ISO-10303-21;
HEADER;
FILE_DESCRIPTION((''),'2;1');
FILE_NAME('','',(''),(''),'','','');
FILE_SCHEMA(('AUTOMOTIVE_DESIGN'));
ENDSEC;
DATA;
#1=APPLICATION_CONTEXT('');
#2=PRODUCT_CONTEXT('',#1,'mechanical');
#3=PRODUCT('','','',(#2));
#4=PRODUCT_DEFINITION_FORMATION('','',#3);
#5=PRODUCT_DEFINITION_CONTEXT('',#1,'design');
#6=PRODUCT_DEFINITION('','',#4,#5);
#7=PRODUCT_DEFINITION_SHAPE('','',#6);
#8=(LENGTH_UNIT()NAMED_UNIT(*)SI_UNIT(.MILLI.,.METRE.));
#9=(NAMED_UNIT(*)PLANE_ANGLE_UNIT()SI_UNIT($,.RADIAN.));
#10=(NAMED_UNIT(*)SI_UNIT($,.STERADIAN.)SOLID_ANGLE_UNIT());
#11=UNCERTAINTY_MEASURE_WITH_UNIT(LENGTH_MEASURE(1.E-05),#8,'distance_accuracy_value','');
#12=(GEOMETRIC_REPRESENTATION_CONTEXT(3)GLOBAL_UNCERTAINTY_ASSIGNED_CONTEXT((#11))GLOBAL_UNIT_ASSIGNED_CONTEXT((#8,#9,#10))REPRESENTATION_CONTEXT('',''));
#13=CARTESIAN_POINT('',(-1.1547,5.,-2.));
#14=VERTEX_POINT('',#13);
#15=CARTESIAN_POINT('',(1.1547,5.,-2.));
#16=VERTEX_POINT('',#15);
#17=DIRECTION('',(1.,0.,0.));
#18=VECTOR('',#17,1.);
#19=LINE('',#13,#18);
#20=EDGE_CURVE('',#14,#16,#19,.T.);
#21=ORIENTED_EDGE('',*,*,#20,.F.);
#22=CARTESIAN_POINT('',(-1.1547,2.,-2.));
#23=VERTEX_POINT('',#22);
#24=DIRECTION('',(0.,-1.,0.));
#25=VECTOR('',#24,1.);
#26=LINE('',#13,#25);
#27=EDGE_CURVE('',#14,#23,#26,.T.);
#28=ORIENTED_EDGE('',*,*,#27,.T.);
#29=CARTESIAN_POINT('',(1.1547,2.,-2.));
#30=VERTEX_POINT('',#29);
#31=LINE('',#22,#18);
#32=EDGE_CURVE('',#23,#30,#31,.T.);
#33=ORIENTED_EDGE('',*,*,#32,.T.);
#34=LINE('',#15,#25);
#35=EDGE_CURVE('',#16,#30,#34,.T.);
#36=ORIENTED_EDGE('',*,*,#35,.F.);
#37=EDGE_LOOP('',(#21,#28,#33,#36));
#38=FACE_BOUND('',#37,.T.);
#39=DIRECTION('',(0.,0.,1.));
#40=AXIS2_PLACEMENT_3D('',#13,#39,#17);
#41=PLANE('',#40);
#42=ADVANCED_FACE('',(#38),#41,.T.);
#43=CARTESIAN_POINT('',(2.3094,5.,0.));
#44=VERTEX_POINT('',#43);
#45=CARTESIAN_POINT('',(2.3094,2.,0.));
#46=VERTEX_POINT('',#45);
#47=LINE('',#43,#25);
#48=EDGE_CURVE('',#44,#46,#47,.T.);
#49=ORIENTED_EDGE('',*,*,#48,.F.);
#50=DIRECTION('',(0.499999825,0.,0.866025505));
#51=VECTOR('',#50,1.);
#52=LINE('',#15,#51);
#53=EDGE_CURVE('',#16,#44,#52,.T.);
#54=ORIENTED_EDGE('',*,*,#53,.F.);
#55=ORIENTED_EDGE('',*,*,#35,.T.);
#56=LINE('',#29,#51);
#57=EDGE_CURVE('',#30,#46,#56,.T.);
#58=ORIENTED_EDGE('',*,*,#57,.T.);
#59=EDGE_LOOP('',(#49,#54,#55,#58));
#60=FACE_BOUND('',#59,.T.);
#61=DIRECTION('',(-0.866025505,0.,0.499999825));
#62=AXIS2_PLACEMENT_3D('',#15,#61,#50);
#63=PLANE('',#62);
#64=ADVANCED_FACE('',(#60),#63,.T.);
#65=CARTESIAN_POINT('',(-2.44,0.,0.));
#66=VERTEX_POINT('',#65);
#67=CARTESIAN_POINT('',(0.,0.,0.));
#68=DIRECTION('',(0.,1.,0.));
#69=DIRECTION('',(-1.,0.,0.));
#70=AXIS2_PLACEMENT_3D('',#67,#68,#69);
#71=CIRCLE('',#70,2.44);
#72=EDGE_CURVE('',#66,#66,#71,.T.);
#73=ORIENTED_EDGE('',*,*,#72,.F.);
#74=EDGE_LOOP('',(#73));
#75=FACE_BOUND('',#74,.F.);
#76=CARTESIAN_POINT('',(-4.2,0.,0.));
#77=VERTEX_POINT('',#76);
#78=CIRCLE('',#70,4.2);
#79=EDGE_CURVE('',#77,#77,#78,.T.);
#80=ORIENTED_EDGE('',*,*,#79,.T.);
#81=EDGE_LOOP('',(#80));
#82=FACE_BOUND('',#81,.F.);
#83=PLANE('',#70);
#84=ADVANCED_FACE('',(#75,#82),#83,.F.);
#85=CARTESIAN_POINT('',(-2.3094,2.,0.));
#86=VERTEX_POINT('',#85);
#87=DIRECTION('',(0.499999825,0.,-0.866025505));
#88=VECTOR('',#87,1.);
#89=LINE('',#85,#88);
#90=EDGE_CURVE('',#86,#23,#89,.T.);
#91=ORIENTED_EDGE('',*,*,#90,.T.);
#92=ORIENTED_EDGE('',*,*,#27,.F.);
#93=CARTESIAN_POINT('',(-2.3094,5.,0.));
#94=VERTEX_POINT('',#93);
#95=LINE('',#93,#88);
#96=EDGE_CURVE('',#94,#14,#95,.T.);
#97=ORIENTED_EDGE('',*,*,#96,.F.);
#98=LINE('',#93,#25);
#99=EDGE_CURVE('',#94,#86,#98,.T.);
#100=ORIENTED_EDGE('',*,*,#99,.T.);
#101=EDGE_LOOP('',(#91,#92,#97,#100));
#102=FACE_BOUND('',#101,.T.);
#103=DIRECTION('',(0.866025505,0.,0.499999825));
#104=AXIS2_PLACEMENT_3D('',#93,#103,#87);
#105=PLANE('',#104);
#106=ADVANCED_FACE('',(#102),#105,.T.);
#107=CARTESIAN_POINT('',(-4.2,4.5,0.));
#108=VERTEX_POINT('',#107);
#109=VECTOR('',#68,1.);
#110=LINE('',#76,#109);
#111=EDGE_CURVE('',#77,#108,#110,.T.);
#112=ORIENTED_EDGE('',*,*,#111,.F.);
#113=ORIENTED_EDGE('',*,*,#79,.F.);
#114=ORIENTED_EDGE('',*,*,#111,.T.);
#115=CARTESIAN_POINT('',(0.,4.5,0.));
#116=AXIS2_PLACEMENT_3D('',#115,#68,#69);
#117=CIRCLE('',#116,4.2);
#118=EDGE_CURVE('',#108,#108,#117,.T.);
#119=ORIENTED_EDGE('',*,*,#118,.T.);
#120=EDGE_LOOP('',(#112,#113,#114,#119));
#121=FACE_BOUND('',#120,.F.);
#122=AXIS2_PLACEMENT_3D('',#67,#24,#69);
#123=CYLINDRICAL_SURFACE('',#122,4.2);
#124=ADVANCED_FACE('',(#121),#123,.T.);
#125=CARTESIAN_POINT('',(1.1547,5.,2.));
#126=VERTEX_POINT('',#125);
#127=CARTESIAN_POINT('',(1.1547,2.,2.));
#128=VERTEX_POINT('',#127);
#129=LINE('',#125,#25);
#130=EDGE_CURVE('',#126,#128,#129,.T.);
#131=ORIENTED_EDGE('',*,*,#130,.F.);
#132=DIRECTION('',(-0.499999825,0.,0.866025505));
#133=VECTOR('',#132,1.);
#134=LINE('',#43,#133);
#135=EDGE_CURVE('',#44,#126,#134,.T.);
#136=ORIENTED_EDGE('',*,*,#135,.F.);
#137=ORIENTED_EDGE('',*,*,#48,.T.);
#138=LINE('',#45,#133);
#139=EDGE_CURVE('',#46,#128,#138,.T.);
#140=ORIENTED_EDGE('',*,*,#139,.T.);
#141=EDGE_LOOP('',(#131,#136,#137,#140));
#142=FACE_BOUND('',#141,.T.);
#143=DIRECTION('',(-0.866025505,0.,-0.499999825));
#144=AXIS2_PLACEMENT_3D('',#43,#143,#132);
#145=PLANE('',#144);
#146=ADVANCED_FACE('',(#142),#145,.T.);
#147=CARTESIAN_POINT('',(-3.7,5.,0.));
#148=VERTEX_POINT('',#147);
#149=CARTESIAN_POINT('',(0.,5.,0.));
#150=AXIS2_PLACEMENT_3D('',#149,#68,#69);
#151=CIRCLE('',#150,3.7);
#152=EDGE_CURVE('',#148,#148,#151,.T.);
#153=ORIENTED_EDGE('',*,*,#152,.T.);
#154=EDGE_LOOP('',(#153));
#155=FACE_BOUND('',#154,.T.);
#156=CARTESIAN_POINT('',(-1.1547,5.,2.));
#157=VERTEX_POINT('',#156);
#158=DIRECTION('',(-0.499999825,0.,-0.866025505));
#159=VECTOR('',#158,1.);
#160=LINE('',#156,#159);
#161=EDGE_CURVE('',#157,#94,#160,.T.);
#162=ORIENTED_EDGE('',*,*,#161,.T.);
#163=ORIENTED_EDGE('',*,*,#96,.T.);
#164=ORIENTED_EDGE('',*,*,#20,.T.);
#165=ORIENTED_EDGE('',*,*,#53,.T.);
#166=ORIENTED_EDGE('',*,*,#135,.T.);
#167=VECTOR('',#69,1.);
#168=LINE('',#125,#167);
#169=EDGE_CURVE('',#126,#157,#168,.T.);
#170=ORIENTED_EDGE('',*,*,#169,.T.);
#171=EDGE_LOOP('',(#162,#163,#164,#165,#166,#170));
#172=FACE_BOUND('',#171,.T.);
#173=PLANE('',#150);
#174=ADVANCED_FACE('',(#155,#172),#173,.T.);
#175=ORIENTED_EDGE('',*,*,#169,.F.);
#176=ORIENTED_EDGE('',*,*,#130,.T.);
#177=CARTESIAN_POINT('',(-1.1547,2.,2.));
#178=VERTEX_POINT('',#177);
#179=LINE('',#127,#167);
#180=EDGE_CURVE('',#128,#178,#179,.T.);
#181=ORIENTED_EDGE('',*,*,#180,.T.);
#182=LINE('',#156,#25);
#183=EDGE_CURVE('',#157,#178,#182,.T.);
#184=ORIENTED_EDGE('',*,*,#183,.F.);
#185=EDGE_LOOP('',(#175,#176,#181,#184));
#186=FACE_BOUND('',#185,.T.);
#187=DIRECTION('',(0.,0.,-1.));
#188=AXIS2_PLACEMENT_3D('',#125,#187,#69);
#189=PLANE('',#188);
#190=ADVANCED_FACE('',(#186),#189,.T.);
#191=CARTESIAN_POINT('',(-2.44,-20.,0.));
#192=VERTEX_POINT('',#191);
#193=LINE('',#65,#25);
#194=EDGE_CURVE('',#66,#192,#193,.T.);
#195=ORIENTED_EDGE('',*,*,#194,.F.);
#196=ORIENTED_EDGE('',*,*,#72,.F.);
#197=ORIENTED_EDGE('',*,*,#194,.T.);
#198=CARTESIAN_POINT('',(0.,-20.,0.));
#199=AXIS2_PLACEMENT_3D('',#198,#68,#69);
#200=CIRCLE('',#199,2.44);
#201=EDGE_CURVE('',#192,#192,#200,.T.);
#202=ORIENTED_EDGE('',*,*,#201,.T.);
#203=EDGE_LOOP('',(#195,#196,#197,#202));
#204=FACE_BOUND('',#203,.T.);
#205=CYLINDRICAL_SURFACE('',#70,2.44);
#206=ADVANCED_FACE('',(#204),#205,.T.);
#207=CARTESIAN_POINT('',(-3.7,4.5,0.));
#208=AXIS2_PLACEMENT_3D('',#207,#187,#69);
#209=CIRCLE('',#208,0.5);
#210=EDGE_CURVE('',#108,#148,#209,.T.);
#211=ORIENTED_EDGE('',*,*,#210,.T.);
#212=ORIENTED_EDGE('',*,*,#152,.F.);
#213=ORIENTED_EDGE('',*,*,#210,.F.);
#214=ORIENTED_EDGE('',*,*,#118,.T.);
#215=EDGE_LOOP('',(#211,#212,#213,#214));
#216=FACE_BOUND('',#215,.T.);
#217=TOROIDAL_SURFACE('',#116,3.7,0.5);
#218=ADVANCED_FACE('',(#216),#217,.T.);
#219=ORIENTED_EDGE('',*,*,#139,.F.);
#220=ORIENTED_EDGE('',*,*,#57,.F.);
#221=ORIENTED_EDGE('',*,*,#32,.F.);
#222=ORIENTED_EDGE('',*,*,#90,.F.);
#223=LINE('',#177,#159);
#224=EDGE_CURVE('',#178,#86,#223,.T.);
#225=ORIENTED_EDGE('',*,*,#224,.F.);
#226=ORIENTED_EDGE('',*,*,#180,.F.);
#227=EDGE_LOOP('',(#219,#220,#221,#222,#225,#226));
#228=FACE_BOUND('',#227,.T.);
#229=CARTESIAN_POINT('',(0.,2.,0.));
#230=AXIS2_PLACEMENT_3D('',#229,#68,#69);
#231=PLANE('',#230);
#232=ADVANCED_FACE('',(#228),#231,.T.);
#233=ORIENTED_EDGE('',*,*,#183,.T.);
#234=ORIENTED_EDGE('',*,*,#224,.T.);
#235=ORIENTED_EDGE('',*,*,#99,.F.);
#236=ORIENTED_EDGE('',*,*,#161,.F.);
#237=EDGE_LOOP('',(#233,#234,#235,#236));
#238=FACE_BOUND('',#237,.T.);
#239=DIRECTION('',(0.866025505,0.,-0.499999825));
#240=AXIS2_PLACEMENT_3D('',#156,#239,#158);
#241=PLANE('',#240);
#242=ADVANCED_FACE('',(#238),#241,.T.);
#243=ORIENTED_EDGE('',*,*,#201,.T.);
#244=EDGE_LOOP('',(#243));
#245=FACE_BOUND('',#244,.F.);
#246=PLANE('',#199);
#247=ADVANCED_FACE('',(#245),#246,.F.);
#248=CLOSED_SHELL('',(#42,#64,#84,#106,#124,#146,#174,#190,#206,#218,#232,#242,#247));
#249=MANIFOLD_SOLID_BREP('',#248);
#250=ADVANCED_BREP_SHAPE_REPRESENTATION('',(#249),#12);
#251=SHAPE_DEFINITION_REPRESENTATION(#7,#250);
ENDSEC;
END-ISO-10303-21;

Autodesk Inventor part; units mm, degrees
ref_plane "YZ Plane" through (0, 0, 0) normal (1, 0, 0) x (0, 1, 0)
ref_plane "XZ Plane" through (0, 0, 0) normal (0, 1, 0) x (-1, 0, 0)
ref_plane "XY Plane" through (0, 0, 0) normal (0, 0, 1) x (1, 0, 0)
sketch "Sketch1" plane through (0, 0, 0) normal (0, 1, 0) x (-1, 0, 0)
  circle A0 centre (0, 0) radius 2.44
  circle A1 centre (0, 0) radius 4.2
  line L0 (1.1547, -2) -> (-1.1547, -2)
  line L1 (-1.1547, -2) -> (-2.3094, 0)
  line L2 (-2.3094, 0) -> (-1.1547, 2)
  line L3 (-1.1547, 2) -> (1.1547, 2)
  line L4 (1.1547, 2) -> (2.3094, 0)
  line L5 (2.3094, 0) -> (1.1547, -2)
  dimension "d0" = 4.88
  dimension "d1" = 8.4
  dimension "d8" = 4
extrude "Extrusion1" add sketch "Sketch1" along normal blind 5 contours A0 | A1 | L0 L1 L2 L3 L4 L5
extrude "Extrusion2" add sketch "Sketch1" against normal blind 20 contours A0 | L0 L1 L2 L3 L4 L5
extrude "Extrusion3" cut sketch "Sketch1" against normal blind 3 from surface at 5 contours L0 L1 L2 L3 L4 L5
fillet "Fillet1" radius 0.5 1 edges at (4.2, 5, 0)
thread "Thread2" size "M5x0.8" class "6g" standard "ANSI Metric M Profile" full length
equation "\"d4\" = length"
equation "\"length\" = 20"
properties part number "M5x20"
